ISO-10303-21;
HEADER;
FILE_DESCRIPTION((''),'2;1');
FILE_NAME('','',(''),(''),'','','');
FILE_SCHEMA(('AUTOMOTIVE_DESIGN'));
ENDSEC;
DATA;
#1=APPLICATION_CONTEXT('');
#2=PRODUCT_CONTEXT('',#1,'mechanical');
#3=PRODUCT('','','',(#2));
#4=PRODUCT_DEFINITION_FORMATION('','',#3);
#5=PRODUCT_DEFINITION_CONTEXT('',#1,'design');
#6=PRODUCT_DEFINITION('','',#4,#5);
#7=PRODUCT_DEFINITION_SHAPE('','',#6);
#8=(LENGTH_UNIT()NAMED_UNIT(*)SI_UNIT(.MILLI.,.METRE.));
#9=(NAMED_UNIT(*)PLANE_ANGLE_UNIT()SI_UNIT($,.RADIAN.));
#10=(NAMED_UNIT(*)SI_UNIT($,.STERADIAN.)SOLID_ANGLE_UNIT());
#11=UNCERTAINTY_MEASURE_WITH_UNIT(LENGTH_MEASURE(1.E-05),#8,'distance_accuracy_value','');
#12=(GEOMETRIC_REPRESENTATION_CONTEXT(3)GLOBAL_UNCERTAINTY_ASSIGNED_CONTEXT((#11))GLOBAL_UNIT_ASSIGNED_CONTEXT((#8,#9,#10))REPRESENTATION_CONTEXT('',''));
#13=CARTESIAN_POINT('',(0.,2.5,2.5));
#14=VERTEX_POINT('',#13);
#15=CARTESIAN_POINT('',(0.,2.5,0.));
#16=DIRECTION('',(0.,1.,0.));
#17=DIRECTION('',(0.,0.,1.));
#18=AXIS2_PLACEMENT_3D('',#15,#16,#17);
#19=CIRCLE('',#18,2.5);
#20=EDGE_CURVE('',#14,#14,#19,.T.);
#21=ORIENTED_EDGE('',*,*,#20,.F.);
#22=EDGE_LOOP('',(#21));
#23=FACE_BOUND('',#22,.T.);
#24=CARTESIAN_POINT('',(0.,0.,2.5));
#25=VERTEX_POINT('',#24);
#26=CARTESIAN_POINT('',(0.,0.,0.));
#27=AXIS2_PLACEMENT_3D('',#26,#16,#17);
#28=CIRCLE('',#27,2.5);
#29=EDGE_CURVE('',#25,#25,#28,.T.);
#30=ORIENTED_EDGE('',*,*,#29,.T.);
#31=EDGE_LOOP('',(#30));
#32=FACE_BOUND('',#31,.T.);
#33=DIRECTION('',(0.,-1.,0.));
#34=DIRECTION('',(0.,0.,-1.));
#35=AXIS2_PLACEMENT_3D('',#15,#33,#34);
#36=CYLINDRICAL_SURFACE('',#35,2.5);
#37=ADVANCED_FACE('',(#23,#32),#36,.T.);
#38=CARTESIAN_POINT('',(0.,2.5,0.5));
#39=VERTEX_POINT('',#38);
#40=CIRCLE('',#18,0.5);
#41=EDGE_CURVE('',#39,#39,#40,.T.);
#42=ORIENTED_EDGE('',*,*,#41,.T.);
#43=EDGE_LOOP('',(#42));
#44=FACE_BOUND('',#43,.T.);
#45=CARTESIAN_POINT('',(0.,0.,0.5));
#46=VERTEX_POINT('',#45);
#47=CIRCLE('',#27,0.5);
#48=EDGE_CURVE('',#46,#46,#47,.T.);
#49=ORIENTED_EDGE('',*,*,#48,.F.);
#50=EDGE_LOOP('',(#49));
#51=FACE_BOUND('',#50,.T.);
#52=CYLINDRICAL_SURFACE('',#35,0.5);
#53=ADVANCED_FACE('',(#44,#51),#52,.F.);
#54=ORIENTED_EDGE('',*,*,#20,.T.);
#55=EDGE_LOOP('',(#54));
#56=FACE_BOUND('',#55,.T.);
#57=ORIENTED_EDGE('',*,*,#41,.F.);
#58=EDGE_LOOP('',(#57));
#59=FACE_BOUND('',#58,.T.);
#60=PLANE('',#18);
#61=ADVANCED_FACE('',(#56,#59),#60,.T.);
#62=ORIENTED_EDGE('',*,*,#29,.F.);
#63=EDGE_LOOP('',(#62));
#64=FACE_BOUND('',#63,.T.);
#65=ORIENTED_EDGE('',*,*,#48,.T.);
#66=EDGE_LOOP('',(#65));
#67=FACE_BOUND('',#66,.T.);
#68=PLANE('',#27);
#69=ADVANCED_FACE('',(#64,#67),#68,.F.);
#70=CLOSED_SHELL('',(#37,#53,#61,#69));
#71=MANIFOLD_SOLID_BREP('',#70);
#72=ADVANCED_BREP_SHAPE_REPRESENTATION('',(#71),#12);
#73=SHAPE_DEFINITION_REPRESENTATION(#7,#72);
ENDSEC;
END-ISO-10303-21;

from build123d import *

# Parameters (mm, degrees)
SKETCH1_R           = 2.5
SKETCH1_R_2         = 0.5
BOSS_EXTRUDE1_DEPTH = 2.5


with BuildPart() as part:
    # Sketch1 → Boss-Extrude1 (new body)
    with BuildSketch(Plane(origin=(0, 0, 0), x_dir=(1, 0, 0), z_dir=(0, 1, 0))):
        with Locations(Location((0, 0, 0), (0, 0, 270))):
            Circle(SKETCH1_R)
        with Locations(Location((0, 0, 0), (0, 0, 270))):
            Circle(SKETCH1_R_2, mode=Mode.SUBTRACT)
    extrude(amount=BOSS_EXTRUDE1_DEPTH)


solid = part.part
